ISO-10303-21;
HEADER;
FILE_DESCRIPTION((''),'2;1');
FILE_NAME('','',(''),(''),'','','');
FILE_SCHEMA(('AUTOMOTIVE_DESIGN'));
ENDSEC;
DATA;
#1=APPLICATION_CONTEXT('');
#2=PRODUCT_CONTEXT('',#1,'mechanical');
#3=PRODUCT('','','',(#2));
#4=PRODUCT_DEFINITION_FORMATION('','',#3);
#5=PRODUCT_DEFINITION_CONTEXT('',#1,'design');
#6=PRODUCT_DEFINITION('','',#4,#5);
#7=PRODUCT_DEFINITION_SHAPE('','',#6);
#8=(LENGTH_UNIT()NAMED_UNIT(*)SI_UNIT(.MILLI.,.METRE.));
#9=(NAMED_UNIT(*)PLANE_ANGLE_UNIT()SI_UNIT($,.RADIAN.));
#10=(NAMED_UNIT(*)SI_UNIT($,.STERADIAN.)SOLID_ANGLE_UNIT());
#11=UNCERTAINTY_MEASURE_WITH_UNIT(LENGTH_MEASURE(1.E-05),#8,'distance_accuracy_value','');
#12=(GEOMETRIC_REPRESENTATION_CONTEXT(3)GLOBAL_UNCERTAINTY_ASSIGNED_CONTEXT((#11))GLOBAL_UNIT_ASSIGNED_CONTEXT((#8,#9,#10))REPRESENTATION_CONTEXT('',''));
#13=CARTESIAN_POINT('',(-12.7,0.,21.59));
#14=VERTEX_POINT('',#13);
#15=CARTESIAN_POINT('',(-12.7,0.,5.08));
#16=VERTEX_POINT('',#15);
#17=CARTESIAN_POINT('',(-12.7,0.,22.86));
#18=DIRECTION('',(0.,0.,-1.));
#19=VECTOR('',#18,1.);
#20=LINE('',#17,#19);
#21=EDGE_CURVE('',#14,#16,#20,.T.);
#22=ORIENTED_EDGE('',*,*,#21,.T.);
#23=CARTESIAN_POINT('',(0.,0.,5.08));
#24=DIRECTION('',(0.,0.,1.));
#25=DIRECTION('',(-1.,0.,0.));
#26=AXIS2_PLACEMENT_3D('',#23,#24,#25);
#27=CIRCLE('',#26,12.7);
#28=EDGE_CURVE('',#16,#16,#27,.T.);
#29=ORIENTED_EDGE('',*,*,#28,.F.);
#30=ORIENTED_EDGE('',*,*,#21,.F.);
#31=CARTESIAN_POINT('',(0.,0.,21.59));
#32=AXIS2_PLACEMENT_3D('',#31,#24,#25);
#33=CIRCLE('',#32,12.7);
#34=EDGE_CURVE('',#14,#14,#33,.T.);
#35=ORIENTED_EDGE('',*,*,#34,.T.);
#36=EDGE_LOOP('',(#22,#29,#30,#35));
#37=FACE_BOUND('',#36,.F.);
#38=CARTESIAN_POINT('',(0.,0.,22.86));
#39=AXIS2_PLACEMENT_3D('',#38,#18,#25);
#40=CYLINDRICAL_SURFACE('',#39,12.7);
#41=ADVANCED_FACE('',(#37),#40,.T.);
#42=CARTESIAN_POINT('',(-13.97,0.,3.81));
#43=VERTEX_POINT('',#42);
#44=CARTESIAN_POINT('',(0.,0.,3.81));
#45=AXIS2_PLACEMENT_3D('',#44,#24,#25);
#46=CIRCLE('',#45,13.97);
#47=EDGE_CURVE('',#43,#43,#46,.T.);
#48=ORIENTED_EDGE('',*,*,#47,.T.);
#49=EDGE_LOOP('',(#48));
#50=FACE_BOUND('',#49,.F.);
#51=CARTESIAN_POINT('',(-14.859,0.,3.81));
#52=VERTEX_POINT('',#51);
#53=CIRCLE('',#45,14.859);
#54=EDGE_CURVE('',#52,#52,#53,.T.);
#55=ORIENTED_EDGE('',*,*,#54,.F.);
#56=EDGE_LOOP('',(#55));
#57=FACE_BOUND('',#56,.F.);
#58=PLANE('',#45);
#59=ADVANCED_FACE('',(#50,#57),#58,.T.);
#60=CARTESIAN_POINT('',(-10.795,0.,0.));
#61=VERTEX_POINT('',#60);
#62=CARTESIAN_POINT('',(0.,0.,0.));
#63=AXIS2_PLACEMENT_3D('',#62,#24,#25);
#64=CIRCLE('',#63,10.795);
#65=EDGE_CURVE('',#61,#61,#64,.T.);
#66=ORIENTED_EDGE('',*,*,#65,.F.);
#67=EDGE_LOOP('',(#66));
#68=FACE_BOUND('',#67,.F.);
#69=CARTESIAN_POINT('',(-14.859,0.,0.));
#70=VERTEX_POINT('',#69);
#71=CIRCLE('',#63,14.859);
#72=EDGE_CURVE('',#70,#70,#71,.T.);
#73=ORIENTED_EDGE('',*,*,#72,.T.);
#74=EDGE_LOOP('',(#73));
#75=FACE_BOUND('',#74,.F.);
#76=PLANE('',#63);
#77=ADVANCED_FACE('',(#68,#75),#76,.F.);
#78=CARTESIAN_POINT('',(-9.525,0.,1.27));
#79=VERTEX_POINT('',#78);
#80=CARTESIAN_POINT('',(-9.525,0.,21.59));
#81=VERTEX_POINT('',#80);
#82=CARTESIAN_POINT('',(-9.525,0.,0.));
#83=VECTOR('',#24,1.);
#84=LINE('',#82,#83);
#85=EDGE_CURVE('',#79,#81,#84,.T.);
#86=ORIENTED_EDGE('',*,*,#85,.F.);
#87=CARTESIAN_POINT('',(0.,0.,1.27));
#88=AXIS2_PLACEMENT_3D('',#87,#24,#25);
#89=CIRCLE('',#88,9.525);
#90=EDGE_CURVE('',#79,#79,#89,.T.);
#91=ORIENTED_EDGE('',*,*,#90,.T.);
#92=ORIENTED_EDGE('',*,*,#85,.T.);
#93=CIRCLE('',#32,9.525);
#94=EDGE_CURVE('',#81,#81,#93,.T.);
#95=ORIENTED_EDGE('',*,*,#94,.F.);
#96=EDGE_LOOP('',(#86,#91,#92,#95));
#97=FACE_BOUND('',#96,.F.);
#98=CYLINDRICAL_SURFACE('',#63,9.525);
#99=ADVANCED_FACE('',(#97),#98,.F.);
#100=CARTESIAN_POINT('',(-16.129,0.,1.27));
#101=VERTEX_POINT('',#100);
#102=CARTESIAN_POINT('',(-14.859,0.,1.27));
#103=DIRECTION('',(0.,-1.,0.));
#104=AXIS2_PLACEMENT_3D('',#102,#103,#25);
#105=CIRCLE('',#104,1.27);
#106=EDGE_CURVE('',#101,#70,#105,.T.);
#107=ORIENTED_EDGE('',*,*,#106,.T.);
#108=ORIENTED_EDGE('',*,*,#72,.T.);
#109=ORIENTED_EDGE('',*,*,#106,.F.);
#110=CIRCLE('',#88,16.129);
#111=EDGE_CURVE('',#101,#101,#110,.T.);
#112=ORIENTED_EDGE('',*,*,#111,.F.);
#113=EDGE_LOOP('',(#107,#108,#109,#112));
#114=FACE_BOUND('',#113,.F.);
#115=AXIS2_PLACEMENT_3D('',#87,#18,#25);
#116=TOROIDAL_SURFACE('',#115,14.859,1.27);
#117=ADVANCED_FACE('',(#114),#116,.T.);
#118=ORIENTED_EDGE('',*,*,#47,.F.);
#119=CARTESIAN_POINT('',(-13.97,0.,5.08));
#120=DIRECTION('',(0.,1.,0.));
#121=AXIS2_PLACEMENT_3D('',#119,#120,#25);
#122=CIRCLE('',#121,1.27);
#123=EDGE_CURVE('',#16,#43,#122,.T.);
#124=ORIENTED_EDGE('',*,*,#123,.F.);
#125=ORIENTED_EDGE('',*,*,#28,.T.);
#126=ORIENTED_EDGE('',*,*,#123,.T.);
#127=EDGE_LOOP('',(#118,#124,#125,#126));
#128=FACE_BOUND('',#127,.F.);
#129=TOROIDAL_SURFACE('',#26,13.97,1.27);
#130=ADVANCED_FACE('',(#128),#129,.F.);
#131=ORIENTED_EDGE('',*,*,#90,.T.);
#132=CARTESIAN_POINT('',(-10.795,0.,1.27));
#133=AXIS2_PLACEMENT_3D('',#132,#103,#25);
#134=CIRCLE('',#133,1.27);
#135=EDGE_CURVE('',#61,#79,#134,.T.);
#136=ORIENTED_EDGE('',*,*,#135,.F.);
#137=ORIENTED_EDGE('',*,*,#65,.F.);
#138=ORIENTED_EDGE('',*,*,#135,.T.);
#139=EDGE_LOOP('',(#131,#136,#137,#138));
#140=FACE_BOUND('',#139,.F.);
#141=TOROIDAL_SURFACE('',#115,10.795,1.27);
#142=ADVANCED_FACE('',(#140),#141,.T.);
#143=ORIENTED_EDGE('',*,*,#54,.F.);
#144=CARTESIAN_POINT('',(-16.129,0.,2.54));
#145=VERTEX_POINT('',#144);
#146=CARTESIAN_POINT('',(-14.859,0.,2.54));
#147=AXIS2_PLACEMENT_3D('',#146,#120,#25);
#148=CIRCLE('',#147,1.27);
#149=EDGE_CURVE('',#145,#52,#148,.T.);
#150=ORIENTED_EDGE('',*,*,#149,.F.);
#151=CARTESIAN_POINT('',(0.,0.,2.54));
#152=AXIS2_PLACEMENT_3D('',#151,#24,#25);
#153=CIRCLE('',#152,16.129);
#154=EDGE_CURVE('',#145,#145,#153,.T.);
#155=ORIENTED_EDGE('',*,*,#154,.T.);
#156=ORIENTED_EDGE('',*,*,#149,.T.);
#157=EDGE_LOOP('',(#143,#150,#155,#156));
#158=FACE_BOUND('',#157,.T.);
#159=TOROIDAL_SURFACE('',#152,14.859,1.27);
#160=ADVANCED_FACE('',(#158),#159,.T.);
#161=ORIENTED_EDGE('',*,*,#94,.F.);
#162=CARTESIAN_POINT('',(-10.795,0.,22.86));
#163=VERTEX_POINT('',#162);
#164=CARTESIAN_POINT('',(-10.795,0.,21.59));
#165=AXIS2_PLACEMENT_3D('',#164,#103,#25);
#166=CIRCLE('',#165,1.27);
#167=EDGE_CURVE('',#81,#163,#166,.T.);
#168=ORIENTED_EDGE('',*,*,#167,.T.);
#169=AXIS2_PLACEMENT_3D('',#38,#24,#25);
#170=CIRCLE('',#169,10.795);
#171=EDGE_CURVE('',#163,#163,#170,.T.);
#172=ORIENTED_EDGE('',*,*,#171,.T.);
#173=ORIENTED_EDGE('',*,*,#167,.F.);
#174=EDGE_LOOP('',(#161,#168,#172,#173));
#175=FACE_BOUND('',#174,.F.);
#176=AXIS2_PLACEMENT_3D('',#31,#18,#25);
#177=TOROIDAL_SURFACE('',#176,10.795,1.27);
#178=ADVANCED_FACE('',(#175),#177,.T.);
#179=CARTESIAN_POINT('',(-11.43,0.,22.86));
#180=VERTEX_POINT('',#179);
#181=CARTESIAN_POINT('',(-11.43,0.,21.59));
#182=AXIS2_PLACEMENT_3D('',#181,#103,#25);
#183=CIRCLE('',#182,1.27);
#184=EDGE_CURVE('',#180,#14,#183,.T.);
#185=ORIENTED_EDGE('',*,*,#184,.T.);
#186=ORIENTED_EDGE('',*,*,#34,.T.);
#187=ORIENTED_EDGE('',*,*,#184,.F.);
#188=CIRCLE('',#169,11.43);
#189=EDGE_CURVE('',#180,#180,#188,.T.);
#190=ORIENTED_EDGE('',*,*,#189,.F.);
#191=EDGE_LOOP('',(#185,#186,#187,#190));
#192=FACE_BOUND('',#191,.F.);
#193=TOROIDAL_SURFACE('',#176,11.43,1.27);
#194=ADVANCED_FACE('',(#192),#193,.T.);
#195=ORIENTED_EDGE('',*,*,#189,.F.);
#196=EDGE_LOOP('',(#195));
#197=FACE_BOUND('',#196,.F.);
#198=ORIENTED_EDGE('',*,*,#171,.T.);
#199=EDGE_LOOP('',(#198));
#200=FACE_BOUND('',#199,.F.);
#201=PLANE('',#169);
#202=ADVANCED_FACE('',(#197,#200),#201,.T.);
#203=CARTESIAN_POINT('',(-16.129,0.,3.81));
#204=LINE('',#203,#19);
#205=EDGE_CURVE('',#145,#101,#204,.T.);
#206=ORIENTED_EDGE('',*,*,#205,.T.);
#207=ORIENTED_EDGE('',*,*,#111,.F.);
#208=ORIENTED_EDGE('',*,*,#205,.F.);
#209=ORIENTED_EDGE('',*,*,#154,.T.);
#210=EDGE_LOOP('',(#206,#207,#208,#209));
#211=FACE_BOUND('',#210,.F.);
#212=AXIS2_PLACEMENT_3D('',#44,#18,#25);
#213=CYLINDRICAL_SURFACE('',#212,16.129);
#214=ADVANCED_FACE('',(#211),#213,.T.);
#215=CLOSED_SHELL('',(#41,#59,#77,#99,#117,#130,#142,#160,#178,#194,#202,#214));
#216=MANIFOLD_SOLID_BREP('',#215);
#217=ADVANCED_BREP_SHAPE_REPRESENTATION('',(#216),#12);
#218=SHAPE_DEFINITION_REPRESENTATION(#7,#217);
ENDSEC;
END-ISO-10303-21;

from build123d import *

# Parameters (mm, degrees)
F2_R = 1.27


with BuildPart() as f1:
    # F0 (on Front) → F1 (revolve)
    with BuildSketch(Plane.XZ):
        Polygon((-16.129, 3.81), (-16.129, 0), (-9.525, 0), (-9.525, 22.86), (-12.7, 22.86), (-12.7, 3.81), align=None)
    revolve(axis=Axis((0, 0, 13.309052), (0, 0, 1)))

    # F2
    f2_edges = [f1.edges().sort_by_distance(p)[0] for p in [
        (12.7, 0, 22.86),
        (9.525, 0, 22.86),
        (12.7, 0, 3.81),
        (16.129, 0, 3.81),
        (16.129, 0, 0),
        (9.525, 0, 0),
    ]]
    fillet(f2_edges, radius=F2_R)


solid = f1.part
